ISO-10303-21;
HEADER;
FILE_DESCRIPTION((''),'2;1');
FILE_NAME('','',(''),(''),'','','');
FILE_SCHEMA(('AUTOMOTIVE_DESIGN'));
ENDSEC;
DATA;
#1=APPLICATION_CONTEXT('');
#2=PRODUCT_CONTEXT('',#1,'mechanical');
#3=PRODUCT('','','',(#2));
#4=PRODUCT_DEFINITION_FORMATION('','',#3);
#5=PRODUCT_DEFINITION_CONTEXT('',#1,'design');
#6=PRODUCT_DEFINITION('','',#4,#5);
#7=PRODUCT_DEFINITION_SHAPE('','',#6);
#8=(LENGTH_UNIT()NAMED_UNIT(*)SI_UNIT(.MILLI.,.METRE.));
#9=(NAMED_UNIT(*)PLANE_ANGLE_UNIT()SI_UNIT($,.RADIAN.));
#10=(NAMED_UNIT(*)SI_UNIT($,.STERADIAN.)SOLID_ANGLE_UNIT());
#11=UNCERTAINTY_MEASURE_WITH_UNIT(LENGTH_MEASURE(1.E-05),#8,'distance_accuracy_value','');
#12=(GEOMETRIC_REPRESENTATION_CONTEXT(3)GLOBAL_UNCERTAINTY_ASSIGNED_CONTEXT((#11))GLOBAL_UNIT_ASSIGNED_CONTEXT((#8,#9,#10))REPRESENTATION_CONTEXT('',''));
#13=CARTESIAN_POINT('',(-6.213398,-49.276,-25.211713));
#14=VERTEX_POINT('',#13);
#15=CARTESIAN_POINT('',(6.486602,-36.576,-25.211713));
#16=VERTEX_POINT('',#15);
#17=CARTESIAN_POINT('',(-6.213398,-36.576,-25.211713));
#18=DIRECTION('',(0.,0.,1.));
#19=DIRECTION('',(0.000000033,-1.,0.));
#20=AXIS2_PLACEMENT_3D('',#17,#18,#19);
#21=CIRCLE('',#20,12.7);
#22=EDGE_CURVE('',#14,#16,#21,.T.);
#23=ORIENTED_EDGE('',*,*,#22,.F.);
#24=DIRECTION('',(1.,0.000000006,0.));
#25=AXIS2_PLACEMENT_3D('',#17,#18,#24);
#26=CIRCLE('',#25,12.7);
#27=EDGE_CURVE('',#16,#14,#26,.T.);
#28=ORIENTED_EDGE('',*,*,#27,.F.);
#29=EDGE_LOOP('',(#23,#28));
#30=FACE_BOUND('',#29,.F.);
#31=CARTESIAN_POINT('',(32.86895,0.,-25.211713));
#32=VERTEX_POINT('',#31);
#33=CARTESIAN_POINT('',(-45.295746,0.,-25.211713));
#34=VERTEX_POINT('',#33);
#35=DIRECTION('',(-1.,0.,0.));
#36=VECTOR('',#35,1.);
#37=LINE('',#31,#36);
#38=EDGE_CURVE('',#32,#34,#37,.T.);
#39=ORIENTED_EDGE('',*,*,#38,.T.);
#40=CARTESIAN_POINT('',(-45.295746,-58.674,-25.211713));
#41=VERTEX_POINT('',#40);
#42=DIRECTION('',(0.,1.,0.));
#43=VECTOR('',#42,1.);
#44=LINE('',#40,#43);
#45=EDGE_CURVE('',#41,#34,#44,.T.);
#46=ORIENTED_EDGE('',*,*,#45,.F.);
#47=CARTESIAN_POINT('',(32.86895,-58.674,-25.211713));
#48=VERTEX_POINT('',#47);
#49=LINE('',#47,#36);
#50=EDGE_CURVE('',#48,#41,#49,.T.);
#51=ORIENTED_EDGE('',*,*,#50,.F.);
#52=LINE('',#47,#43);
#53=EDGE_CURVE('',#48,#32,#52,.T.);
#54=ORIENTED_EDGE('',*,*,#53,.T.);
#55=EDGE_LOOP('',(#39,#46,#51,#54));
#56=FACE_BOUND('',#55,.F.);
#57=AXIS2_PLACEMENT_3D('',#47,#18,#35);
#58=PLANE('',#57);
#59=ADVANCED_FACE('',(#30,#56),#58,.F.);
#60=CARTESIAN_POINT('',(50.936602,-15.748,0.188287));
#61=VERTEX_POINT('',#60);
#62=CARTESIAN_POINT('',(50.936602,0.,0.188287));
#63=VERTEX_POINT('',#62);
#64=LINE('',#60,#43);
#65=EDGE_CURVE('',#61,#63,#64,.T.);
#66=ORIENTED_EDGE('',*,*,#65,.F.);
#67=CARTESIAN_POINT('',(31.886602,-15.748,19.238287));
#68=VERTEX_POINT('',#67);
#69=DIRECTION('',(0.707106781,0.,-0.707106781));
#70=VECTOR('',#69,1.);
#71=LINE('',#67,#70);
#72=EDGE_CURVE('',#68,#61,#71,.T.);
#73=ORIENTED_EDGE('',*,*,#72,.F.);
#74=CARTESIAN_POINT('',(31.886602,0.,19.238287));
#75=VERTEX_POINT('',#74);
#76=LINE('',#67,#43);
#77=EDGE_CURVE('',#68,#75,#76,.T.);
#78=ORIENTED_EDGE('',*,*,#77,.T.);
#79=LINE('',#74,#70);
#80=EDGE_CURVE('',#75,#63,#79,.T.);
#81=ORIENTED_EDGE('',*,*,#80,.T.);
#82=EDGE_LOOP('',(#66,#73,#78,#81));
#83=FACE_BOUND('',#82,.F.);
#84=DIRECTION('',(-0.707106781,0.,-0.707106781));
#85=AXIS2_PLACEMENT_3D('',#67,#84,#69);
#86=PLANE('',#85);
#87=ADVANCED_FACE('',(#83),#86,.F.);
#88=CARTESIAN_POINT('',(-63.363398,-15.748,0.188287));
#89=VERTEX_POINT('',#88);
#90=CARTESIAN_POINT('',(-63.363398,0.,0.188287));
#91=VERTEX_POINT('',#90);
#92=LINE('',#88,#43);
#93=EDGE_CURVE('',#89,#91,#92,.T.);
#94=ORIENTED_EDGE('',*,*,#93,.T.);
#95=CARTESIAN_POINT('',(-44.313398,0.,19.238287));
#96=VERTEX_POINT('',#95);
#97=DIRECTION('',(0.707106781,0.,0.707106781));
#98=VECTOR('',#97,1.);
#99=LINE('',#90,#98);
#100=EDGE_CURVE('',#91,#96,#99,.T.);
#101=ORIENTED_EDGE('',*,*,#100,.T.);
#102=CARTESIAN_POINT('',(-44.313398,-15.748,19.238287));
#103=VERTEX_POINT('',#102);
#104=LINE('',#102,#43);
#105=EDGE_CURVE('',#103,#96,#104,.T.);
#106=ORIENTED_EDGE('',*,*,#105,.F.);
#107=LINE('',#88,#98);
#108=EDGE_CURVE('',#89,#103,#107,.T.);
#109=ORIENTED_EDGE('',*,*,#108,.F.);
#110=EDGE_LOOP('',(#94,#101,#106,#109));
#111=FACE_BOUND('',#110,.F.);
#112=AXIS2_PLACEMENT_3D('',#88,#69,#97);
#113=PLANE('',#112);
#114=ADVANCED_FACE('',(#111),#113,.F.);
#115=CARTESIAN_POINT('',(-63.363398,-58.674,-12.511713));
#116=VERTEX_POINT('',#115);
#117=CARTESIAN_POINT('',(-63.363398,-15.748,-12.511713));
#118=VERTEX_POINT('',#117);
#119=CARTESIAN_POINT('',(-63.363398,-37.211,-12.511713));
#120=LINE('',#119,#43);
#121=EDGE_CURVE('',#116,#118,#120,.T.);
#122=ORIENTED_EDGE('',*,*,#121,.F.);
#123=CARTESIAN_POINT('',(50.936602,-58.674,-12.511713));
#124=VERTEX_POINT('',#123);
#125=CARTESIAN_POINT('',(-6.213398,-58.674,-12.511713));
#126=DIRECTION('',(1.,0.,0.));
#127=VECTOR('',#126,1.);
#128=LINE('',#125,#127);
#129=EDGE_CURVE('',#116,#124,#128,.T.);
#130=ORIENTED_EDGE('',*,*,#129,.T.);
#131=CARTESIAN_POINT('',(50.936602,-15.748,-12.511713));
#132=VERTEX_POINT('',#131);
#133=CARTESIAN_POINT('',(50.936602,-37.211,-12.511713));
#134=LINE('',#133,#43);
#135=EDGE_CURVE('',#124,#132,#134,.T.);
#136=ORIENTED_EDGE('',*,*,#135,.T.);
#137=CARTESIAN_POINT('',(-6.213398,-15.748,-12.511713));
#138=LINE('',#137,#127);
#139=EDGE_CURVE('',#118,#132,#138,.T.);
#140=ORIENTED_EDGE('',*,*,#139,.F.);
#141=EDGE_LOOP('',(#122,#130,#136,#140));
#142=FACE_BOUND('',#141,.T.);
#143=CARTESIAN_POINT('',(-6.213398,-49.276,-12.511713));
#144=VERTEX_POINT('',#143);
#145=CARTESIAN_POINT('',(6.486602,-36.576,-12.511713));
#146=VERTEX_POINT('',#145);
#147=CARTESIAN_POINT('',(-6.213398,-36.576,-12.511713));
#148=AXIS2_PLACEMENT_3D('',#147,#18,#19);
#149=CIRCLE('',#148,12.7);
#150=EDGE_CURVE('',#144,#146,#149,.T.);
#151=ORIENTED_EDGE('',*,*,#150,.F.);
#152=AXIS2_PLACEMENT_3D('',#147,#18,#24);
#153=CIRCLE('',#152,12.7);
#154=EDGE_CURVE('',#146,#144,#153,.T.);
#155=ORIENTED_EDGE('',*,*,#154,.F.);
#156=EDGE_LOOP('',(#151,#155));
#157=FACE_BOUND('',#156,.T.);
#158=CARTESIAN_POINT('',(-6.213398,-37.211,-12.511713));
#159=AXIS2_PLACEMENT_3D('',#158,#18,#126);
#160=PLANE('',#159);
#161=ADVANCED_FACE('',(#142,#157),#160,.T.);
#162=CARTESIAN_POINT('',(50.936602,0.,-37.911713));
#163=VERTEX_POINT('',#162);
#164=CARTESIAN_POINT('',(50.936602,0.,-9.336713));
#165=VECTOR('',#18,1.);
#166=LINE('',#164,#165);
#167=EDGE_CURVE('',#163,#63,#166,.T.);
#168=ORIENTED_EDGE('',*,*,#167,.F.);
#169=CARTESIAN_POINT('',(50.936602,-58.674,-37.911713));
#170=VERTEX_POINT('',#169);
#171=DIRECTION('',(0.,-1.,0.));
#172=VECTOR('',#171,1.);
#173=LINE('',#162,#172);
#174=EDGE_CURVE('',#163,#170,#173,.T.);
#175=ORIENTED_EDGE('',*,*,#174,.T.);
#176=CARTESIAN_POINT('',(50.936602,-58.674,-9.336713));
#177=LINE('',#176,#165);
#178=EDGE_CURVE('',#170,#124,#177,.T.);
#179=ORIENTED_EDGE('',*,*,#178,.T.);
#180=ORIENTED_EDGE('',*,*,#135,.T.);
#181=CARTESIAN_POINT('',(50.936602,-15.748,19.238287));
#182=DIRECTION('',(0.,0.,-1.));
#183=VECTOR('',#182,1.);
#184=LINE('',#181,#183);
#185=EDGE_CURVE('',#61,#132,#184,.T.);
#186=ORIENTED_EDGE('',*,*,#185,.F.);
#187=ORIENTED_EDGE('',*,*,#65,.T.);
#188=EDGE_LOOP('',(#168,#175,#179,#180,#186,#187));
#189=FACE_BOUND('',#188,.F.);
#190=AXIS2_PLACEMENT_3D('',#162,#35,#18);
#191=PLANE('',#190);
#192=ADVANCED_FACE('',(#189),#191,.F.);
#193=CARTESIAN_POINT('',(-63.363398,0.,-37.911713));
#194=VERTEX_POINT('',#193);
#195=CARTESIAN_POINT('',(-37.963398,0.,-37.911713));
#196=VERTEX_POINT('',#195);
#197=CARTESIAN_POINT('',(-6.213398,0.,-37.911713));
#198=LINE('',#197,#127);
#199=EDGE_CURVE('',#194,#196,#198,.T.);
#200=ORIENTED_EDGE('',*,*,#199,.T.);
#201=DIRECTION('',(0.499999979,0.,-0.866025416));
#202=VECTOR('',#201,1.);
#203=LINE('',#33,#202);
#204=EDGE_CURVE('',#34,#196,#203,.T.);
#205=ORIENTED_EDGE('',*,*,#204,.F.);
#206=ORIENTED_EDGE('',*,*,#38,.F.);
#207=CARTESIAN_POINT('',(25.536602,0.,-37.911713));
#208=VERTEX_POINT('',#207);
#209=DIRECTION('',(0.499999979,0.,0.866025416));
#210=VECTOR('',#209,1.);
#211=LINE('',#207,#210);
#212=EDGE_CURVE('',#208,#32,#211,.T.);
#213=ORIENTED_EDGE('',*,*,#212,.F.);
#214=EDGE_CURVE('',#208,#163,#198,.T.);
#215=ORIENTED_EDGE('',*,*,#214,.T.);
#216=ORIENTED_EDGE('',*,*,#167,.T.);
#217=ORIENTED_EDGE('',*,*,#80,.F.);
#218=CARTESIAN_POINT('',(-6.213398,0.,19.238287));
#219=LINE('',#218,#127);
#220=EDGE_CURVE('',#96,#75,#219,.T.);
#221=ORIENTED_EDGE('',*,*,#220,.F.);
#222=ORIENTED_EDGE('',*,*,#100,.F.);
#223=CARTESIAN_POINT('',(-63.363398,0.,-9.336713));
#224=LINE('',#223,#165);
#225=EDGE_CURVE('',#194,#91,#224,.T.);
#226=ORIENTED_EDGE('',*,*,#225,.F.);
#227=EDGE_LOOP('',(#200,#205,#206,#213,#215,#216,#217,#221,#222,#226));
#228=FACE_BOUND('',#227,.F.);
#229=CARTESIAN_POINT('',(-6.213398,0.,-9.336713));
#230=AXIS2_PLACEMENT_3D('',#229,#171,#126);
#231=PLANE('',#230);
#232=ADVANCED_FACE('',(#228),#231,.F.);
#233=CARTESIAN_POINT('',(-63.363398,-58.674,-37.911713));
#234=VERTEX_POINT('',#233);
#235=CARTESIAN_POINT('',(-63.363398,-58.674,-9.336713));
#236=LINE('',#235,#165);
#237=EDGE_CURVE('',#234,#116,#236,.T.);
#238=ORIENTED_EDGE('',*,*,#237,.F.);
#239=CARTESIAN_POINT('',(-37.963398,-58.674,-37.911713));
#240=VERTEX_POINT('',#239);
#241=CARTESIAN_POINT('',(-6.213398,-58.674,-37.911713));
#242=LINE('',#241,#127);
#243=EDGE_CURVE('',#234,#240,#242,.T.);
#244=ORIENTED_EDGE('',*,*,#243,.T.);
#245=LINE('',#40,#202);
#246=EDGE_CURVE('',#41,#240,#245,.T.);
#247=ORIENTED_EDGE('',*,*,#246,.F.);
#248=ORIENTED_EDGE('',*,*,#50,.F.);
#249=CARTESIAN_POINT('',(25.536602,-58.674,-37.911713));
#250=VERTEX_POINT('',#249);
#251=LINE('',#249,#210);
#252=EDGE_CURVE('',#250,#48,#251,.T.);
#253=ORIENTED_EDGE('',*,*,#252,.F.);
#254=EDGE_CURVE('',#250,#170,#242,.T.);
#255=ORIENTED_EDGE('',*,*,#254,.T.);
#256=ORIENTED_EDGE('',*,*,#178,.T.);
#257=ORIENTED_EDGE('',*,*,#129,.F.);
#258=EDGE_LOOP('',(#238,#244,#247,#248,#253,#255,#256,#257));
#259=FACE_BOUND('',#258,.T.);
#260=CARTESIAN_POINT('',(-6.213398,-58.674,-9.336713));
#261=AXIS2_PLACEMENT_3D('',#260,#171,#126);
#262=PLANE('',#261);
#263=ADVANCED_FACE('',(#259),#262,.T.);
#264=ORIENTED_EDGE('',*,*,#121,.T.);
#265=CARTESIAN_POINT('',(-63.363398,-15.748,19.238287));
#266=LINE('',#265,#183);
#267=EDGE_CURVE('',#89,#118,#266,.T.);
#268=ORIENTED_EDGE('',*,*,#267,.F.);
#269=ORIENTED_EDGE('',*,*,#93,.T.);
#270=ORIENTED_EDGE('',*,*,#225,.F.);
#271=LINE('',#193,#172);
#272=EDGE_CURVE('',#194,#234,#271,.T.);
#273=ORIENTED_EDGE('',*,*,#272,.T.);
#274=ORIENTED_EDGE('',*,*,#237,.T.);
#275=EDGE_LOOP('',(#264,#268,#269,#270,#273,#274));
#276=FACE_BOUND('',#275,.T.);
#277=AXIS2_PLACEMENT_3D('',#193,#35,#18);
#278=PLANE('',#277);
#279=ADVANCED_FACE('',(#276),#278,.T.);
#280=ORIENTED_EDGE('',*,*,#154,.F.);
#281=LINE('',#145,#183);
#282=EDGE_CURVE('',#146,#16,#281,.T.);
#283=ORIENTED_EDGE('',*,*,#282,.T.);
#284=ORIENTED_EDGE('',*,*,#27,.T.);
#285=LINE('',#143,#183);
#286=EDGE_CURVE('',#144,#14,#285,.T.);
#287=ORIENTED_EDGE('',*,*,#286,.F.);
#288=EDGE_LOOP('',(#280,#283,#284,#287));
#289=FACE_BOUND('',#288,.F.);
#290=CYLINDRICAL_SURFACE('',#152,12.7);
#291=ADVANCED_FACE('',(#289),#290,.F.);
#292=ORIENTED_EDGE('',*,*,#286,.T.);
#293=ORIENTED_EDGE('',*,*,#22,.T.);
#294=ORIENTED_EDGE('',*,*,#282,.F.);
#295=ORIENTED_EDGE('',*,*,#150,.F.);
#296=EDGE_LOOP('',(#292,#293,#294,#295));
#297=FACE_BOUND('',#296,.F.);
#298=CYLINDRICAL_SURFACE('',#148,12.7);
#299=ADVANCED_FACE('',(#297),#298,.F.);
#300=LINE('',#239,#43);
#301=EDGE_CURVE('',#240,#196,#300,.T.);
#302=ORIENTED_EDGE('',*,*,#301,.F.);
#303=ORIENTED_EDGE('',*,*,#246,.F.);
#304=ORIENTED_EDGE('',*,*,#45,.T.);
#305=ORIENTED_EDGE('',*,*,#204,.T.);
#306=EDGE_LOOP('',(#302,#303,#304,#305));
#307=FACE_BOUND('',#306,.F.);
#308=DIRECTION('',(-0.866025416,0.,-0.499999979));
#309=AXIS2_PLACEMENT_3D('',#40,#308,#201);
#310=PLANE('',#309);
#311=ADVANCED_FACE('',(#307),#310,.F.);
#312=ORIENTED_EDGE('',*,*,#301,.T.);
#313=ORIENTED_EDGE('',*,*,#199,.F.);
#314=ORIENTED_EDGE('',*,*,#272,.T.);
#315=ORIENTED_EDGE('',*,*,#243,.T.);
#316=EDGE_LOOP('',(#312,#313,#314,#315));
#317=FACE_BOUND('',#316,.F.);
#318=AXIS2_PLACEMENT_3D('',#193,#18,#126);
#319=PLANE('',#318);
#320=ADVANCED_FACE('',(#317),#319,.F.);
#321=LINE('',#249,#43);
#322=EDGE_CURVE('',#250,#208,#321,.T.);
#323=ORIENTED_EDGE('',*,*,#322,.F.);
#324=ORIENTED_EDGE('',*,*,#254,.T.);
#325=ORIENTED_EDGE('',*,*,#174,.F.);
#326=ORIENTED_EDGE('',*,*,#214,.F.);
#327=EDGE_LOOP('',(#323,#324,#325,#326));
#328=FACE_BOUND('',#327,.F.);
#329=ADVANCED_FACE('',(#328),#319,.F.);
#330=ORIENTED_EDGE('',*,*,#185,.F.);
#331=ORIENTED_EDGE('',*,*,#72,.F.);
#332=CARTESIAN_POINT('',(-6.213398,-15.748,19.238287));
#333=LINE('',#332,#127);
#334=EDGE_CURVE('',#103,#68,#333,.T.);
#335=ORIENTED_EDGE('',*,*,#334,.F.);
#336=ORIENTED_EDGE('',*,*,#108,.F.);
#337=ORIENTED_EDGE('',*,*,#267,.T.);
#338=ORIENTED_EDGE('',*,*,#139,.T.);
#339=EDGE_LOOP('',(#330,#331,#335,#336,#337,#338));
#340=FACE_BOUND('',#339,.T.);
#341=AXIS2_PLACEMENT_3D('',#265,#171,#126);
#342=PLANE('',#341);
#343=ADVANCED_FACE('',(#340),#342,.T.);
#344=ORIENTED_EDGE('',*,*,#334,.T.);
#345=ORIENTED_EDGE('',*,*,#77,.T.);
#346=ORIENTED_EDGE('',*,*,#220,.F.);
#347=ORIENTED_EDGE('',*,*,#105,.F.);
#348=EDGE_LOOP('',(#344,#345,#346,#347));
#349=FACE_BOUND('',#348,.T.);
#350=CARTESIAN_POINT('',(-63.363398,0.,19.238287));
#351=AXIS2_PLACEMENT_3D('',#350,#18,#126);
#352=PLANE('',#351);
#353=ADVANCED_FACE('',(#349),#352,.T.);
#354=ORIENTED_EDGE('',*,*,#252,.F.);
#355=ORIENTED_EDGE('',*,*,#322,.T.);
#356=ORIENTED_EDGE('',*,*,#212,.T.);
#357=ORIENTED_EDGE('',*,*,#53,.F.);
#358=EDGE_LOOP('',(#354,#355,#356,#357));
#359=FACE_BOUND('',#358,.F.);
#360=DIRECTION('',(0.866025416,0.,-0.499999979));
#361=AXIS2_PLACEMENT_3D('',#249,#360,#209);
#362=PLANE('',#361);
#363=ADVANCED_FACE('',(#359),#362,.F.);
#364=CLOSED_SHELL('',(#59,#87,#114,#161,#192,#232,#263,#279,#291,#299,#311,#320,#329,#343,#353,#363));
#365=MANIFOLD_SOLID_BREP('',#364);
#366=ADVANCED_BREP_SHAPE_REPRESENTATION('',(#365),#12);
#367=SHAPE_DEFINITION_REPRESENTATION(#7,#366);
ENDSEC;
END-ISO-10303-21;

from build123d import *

# Parameters (mm, degrees)
F0_W     = 114.3
F0_H     = 57.15
F1_DEPTH = 58.674
F2_W     = 114.3
F2_H     = 42.926
F3_DEPTH = 31.75
F5_DEPTH = 15.748
F7_DEPTH = 58.674
F9_DEPTH = 12.7


with BuildPart() as f1:
    # F0 (on Front) → F1 (new body)
    with BuildSketch(Plane.XZ):
        with Locations((-6.213398, -9.336713)):
            Rectangle(F0_W, F0_H)
    extrude(amount=F1_DEPTH)

    # F2 (on face) → F3 (cut)
    with BuildSketch(Plane.XY.offset(19.238287)):
        with Locations((-6.213398, -37.211)):
            Rectangle(F2_W, F2_H)
    extrude(amount=-F3_DEPTH, mode=Mode.SUBTRACT)

    # F4 (on face) → F5 (cut)
    with BuildSketch(Plane.XZ.offset(15.748)):
        Polygon((50.936602, 19.238287), (31.886602, 19.238287), (50.936602, 0.188287), align=None)
        Polygon((-44.313398, 19.238287), (-63.363398, 19.238287), (-63.363398, 0.188287), align=None)
    extrude(amount=-F5_DEPTH, mode=Mode.SUBTRACT)

    # F6 (on face) → F7 (cut)
    with BuildSketch(Plane.XZ.offset(58.674)):
        Polygon((-37.963398, -37.911713), (25.536602, -37.911713), (32.86895, -25.211713), (25.536602, -25.211713), (-37.963398, -25.211713), (-45.295746, -25.211713), align=None)
    extrude(amount=-F7_DEPTH, mode=Mode.SUBTRACT)

    # F8 (on face) → F9 (cut)
    with BuildSketch(Plane.XY.offset(-12.511713)):
        with BuildLine():
            ThreePointArc((6.486602, -36.576), (-15.193654, -27.595744), (-6.213398, -49.276))
            ThreePointArc((-6.213398, -49.276), (2.766858, -45.556256), (6.486602, -36.576))
        make_face()
    extrude(amount=-F9_DEPTH, mode=Mode.SUBTRACT)


solid = f1.part
